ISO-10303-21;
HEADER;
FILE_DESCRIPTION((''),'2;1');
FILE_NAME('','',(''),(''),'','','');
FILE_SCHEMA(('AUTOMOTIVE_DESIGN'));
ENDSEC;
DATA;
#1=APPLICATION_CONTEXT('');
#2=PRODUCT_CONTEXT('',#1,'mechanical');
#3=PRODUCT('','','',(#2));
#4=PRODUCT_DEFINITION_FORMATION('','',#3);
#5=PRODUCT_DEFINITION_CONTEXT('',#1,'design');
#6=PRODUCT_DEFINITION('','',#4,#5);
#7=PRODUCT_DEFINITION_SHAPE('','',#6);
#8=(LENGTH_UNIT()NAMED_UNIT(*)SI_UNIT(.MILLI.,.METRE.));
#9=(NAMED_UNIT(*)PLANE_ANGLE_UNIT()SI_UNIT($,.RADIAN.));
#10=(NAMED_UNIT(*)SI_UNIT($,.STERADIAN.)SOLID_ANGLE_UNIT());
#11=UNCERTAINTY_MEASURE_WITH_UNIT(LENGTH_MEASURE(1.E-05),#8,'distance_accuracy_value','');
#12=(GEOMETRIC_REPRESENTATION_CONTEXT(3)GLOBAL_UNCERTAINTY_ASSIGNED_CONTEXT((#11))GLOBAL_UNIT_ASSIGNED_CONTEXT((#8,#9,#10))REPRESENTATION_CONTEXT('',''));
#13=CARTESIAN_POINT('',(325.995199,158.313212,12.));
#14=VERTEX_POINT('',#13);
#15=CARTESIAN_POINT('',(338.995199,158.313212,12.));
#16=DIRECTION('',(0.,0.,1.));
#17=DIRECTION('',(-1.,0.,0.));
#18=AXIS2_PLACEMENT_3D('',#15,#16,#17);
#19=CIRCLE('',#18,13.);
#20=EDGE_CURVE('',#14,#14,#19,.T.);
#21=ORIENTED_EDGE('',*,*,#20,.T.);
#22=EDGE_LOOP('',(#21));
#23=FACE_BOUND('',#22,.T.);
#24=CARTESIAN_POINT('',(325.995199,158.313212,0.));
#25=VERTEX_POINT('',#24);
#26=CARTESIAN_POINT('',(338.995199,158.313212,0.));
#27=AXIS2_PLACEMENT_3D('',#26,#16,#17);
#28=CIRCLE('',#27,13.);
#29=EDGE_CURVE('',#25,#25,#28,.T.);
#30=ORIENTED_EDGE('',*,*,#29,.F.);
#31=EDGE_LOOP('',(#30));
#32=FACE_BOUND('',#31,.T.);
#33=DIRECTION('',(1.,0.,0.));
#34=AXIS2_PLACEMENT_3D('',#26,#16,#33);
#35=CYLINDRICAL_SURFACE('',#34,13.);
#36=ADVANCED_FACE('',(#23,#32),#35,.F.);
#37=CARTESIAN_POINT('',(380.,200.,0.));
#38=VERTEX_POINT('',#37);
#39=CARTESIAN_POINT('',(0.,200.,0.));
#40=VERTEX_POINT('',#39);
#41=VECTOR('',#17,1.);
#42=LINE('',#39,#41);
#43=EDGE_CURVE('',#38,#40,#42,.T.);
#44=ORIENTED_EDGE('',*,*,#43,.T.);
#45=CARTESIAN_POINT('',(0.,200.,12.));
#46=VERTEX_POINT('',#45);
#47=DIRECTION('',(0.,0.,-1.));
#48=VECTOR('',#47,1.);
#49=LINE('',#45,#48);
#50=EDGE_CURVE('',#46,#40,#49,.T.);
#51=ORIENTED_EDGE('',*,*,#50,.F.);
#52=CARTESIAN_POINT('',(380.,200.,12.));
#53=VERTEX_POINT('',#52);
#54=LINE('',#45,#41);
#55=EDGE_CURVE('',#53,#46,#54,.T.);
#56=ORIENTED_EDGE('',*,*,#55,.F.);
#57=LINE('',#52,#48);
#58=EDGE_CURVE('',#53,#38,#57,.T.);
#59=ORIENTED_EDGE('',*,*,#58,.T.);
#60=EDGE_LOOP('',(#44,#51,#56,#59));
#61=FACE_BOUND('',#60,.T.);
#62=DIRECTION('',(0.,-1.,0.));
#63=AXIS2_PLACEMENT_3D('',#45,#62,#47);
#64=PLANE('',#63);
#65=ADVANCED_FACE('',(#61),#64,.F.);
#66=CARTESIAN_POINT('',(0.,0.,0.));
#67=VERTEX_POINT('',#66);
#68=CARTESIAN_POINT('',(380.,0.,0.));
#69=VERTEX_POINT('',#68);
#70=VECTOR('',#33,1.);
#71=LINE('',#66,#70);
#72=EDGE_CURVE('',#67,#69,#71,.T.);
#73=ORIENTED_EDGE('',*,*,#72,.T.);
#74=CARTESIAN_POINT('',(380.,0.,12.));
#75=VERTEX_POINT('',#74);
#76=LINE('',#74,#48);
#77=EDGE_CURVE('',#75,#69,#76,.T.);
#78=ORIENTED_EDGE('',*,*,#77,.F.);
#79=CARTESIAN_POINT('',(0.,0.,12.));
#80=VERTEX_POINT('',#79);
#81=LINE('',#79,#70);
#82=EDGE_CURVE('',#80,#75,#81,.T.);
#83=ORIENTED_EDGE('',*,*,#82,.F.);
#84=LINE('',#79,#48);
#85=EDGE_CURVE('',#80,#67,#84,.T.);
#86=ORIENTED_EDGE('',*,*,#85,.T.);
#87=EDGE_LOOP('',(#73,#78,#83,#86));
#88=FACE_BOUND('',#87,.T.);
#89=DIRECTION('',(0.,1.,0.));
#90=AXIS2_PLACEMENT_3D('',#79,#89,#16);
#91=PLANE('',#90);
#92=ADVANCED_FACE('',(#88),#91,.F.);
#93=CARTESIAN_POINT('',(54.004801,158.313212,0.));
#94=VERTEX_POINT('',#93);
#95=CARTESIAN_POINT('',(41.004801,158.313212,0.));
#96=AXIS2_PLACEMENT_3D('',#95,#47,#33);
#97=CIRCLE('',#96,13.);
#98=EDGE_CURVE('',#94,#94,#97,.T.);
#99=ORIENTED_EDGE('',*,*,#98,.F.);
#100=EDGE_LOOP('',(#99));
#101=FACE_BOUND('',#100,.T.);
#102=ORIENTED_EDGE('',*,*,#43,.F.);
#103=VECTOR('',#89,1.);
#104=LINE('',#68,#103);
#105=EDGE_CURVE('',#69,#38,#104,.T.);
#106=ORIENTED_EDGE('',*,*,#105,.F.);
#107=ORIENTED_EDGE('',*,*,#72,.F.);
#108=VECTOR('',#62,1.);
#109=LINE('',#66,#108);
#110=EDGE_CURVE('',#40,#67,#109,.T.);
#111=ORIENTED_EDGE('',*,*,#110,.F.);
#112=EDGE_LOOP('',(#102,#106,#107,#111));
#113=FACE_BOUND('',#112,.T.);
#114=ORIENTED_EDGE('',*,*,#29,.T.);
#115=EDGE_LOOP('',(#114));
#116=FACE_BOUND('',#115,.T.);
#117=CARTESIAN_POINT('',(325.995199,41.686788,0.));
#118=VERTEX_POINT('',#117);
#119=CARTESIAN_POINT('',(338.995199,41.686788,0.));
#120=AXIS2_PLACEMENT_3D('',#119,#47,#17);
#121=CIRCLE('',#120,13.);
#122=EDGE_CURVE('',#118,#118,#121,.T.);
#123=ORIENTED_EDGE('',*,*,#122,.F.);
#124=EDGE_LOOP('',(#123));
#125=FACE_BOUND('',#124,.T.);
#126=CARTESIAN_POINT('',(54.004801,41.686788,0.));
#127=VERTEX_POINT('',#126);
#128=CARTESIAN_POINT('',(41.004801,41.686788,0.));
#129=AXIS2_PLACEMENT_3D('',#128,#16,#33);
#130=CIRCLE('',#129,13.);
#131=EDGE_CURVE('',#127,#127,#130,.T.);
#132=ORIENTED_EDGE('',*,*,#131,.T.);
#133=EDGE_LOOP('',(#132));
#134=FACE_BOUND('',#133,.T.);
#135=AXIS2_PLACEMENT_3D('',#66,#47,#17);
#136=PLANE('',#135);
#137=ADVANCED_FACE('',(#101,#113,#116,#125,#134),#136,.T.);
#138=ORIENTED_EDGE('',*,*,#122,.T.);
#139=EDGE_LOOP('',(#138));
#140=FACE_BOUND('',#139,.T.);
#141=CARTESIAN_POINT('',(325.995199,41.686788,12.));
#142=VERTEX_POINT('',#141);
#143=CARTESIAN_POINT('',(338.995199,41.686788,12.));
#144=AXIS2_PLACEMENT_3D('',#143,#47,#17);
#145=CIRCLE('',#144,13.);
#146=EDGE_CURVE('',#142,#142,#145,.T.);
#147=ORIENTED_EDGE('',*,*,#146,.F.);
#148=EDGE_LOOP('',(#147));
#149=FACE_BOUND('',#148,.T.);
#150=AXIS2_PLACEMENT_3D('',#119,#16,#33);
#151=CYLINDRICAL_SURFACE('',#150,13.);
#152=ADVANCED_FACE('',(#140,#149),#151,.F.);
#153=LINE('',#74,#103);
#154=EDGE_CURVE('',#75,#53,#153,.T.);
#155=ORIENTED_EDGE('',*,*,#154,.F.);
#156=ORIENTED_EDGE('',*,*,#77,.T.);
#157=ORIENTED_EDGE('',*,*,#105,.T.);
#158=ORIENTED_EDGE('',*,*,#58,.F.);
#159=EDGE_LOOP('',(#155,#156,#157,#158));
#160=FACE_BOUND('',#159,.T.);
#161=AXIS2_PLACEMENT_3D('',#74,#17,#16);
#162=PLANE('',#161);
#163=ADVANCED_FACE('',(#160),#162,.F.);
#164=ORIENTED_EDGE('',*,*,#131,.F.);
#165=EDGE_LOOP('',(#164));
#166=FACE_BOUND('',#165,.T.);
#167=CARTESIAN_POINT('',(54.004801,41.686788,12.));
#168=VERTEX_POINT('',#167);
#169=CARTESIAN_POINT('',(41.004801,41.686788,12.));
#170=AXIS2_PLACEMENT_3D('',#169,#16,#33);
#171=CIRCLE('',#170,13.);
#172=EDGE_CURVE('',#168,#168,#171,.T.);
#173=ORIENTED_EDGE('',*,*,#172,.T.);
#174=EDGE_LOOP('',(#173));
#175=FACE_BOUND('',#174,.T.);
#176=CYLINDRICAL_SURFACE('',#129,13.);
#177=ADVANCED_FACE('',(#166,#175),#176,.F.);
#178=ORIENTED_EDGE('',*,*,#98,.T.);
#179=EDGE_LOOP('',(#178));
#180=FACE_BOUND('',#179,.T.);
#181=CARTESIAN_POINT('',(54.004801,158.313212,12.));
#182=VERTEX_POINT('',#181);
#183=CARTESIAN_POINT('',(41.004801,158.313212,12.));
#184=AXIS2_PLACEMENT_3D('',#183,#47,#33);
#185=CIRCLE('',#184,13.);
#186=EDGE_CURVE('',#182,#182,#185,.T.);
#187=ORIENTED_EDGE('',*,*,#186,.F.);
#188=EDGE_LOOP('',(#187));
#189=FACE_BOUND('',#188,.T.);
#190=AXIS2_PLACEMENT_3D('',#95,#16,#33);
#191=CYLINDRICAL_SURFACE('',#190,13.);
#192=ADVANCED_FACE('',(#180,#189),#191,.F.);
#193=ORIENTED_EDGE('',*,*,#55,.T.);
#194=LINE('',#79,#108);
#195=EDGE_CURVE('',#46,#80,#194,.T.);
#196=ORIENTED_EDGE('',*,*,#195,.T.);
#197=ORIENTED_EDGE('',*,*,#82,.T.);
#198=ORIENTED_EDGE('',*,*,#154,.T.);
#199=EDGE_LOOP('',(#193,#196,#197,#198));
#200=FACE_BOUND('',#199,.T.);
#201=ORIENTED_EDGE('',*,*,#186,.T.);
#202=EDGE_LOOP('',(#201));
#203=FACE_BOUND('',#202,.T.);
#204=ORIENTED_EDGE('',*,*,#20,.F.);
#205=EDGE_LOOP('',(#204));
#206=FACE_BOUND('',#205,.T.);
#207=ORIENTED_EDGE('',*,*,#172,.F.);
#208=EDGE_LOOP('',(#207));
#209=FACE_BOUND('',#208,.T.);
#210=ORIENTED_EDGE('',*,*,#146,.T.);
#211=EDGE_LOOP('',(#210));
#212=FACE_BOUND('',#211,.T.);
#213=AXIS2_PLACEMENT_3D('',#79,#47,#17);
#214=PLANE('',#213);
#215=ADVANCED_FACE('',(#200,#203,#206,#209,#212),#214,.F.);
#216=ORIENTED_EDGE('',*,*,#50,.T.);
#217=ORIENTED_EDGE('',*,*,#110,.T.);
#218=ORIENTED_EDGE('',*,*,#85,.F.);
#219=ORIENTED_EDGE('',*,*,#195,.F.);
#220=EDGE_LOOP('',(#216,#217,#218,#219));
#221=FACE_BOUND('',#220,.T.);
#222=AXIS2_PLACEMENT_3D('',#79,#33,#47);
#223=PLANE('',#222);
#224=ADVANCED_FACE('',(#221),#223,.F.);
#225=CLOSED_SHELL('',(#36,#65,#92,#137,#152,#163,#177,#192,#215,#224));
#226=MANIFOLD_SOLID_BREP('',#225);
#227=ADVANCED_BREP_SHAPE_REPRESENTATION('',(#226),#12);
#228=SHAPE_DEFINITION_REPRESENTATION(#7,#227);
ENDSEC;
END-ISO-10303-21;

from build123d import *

# Parameters (mm, degrees)
SKETCH_1_W               = 380
SKETCH_1_H               = 200
EXTRUDE_1_DEPTH          = 12
SKETCH_2_R               = 13
CUT_EXTRUDE_1_DEPTH      = 430.585847067
MIRROR_2_COPY_1_SKETCH_R = 13
MIRROR_2_COPY_1_DEPTH    = 430.585847067


with BuildPart() as part:
    # 草图1 → 凸台-拉伸1 (new body)
    with BuildSketch(Plane.XY):
        with Locations((190, 100)):
            Rectangle(SKETCH_1_W, SKETCH_1_H)
    extrude(amount=EXTRUDE_1_DEPTH)

    # 草图2 → 切除-拉伸1 (cut, through all)
    with BuildSketch(Plane.XY.offset(12)):
        with Locations((41.004801127, 41.686787837)):
            Circle(SKETCH_2_R)
    cut_extrude_1 = extrude(amount=-CUT_EXTRUDE_1_DEPTH, mode=Mode.SUBTRACT)

    # 镜向1: 切除-拉伸1 across plane
    add(cut_extrude_1.mirror(Plane.ZX.offset(100)), mode=Mode.SUBTRACT)

    # 镜向2: 切除-拉伸1 across plane
    add(cut_extrude_1.mirror(Plane(origin=(190, 0, 0), x_dir=(0, 0, 1), z_dir=(1, 0, 0))), mode=Mode.SUBTRACT)

    # 镜向2 copy 1 sketch → 镜向2 copy 1 (cut, through all)
    with BuildSketch(Plane(origin=(380, 200, 12), x_dir=(-1, 0, 0), z_dir=(0, 0, 1))):
        with Locations((41.004801127, 41.686787837)):
            Circle(MIRROR_2_COPY_1_SKETCH_R)
    extrude(amount=-MIRROR_2_COPY_1_DEPTH, mode=Mode.SUBTRACT)


solid = part.part
